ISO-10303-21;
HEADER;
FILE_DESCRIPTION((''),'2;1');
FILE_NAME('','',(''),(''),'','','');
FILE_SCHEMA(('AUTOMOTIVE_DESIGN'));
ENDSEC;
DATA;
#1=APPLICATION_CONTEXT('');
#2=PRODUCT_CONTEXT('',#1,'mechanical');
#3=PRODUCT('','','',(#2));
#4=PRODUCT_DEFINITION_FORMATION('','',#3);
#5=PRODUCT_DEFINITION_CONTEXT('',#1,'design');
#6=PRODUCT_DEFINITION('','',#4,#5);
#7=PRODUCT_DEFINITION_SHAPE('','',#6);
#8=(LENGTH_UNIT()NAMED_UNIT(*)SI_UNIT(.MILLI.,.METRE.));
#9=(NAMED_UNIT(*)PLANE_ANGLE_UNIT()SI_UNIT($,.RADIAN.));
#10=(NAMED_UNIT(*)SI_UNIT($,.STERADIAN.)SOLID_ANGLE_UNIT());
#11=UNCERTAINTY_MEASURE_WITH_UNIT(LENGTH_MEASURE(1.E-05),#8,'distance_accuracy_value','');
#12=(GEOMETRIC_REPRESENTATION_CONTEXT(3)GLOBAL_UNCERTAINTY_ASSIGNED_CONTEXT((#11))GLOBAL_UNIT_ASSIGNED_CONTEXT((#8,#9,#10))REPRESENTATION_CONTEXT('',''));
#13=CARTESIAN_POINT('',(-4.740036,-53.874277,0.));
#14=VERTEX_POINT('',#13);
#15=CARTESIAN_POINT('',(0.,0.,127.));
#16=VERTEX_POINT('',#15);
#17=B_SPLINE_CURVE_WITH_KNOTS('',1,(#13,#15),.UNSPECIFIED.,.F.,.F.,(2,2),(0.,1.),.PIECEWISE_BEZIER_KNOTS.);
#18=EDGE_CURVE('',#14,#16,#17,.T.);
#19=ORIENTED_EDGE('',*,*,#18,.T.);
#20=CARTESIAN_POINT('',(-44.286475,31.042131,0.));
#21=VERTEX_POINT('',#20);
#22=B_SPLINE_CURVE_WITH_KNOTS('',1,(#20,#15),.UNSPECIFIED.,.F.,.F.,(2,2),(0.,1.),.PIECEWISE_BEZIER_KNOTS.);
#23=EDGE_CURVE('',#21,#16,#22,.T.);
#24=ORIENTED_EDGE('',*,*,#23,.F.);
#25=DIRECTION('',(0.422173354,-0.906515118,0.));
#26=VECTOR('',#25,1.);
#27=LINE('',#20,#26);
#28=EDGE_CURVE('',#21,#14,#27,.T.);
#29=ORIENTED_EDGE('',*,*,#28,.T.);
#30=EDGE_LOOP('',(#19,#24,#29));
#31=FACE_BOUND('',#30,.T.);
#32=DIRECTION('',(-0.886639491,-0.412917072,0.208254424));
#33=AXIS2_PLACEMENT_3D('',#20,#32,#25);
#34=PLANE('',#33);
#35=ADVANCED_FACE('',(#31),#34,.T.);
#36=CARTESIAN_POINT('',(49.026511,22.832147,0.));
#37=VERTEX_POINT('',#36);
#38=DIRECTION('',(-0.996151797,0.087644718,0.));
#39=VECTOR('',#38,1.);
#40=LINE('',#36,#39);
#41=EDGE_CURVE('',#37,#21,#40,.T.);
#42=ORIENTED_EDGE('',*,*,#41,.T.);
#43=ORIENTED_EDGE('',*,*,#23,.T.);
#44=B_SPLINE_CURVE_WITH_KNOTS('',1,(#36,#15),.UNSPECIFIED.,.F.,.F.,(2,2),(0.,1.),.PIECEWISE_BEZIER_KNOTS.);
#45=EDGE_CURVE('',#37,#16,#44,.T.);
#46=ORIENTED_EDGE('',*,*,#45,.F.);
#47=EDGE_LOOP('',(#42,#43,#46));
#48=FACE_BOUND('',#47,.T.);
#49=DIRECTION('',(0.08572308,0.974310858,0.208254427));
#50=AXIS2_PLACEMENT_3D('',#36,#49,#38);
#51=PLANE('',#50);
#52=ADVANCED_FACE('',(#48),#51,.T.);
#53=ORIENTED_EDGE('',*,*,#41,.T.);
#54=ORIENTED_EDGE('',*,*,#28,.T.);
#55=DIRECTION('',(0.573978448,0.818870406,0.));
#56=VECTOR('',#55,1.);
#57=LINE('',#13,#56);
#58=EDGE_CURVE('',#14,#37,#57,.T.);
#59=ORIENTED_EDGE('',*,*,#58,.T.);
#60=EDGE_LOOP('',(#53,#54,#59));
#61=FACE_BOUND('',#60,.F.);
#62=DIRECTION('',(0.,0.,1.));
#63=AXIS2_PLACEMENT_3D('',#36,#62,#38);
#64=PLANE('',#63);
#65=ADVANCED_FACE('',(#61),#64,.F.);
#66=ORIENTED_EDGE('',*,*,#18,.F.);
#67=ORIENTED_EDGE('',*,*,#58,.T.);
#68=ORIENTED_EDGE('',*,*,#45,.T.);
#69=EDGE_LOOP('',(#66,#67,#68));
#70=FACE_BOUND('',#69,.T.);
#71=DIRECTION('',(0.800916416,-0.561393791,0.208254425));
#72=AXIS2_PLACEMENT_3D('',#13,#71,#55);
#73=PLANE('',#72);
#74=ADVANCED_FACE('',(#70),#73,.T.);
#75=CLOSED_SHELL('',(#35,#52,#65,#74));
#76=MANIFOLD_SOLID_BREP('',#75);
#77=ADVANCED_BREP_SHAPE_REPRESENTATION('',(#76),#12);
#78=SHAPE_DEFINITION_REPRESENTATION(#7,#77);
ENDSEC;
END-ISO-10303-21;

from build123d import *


with BuildPart() as f3:
    # F0 (on Top) → F3 section 0
    with BuildSketch(Plane.XY, mode=Mode.PRIVATE) as f3_s0:
        Polygon((49.026511, 22.832147), (-44.286475, 31.042131), (-4.740036, -53.874277), align=None)
    loft([f3_s0.sketch, Vertex(0, 0, 127)])


solid = f3.part
